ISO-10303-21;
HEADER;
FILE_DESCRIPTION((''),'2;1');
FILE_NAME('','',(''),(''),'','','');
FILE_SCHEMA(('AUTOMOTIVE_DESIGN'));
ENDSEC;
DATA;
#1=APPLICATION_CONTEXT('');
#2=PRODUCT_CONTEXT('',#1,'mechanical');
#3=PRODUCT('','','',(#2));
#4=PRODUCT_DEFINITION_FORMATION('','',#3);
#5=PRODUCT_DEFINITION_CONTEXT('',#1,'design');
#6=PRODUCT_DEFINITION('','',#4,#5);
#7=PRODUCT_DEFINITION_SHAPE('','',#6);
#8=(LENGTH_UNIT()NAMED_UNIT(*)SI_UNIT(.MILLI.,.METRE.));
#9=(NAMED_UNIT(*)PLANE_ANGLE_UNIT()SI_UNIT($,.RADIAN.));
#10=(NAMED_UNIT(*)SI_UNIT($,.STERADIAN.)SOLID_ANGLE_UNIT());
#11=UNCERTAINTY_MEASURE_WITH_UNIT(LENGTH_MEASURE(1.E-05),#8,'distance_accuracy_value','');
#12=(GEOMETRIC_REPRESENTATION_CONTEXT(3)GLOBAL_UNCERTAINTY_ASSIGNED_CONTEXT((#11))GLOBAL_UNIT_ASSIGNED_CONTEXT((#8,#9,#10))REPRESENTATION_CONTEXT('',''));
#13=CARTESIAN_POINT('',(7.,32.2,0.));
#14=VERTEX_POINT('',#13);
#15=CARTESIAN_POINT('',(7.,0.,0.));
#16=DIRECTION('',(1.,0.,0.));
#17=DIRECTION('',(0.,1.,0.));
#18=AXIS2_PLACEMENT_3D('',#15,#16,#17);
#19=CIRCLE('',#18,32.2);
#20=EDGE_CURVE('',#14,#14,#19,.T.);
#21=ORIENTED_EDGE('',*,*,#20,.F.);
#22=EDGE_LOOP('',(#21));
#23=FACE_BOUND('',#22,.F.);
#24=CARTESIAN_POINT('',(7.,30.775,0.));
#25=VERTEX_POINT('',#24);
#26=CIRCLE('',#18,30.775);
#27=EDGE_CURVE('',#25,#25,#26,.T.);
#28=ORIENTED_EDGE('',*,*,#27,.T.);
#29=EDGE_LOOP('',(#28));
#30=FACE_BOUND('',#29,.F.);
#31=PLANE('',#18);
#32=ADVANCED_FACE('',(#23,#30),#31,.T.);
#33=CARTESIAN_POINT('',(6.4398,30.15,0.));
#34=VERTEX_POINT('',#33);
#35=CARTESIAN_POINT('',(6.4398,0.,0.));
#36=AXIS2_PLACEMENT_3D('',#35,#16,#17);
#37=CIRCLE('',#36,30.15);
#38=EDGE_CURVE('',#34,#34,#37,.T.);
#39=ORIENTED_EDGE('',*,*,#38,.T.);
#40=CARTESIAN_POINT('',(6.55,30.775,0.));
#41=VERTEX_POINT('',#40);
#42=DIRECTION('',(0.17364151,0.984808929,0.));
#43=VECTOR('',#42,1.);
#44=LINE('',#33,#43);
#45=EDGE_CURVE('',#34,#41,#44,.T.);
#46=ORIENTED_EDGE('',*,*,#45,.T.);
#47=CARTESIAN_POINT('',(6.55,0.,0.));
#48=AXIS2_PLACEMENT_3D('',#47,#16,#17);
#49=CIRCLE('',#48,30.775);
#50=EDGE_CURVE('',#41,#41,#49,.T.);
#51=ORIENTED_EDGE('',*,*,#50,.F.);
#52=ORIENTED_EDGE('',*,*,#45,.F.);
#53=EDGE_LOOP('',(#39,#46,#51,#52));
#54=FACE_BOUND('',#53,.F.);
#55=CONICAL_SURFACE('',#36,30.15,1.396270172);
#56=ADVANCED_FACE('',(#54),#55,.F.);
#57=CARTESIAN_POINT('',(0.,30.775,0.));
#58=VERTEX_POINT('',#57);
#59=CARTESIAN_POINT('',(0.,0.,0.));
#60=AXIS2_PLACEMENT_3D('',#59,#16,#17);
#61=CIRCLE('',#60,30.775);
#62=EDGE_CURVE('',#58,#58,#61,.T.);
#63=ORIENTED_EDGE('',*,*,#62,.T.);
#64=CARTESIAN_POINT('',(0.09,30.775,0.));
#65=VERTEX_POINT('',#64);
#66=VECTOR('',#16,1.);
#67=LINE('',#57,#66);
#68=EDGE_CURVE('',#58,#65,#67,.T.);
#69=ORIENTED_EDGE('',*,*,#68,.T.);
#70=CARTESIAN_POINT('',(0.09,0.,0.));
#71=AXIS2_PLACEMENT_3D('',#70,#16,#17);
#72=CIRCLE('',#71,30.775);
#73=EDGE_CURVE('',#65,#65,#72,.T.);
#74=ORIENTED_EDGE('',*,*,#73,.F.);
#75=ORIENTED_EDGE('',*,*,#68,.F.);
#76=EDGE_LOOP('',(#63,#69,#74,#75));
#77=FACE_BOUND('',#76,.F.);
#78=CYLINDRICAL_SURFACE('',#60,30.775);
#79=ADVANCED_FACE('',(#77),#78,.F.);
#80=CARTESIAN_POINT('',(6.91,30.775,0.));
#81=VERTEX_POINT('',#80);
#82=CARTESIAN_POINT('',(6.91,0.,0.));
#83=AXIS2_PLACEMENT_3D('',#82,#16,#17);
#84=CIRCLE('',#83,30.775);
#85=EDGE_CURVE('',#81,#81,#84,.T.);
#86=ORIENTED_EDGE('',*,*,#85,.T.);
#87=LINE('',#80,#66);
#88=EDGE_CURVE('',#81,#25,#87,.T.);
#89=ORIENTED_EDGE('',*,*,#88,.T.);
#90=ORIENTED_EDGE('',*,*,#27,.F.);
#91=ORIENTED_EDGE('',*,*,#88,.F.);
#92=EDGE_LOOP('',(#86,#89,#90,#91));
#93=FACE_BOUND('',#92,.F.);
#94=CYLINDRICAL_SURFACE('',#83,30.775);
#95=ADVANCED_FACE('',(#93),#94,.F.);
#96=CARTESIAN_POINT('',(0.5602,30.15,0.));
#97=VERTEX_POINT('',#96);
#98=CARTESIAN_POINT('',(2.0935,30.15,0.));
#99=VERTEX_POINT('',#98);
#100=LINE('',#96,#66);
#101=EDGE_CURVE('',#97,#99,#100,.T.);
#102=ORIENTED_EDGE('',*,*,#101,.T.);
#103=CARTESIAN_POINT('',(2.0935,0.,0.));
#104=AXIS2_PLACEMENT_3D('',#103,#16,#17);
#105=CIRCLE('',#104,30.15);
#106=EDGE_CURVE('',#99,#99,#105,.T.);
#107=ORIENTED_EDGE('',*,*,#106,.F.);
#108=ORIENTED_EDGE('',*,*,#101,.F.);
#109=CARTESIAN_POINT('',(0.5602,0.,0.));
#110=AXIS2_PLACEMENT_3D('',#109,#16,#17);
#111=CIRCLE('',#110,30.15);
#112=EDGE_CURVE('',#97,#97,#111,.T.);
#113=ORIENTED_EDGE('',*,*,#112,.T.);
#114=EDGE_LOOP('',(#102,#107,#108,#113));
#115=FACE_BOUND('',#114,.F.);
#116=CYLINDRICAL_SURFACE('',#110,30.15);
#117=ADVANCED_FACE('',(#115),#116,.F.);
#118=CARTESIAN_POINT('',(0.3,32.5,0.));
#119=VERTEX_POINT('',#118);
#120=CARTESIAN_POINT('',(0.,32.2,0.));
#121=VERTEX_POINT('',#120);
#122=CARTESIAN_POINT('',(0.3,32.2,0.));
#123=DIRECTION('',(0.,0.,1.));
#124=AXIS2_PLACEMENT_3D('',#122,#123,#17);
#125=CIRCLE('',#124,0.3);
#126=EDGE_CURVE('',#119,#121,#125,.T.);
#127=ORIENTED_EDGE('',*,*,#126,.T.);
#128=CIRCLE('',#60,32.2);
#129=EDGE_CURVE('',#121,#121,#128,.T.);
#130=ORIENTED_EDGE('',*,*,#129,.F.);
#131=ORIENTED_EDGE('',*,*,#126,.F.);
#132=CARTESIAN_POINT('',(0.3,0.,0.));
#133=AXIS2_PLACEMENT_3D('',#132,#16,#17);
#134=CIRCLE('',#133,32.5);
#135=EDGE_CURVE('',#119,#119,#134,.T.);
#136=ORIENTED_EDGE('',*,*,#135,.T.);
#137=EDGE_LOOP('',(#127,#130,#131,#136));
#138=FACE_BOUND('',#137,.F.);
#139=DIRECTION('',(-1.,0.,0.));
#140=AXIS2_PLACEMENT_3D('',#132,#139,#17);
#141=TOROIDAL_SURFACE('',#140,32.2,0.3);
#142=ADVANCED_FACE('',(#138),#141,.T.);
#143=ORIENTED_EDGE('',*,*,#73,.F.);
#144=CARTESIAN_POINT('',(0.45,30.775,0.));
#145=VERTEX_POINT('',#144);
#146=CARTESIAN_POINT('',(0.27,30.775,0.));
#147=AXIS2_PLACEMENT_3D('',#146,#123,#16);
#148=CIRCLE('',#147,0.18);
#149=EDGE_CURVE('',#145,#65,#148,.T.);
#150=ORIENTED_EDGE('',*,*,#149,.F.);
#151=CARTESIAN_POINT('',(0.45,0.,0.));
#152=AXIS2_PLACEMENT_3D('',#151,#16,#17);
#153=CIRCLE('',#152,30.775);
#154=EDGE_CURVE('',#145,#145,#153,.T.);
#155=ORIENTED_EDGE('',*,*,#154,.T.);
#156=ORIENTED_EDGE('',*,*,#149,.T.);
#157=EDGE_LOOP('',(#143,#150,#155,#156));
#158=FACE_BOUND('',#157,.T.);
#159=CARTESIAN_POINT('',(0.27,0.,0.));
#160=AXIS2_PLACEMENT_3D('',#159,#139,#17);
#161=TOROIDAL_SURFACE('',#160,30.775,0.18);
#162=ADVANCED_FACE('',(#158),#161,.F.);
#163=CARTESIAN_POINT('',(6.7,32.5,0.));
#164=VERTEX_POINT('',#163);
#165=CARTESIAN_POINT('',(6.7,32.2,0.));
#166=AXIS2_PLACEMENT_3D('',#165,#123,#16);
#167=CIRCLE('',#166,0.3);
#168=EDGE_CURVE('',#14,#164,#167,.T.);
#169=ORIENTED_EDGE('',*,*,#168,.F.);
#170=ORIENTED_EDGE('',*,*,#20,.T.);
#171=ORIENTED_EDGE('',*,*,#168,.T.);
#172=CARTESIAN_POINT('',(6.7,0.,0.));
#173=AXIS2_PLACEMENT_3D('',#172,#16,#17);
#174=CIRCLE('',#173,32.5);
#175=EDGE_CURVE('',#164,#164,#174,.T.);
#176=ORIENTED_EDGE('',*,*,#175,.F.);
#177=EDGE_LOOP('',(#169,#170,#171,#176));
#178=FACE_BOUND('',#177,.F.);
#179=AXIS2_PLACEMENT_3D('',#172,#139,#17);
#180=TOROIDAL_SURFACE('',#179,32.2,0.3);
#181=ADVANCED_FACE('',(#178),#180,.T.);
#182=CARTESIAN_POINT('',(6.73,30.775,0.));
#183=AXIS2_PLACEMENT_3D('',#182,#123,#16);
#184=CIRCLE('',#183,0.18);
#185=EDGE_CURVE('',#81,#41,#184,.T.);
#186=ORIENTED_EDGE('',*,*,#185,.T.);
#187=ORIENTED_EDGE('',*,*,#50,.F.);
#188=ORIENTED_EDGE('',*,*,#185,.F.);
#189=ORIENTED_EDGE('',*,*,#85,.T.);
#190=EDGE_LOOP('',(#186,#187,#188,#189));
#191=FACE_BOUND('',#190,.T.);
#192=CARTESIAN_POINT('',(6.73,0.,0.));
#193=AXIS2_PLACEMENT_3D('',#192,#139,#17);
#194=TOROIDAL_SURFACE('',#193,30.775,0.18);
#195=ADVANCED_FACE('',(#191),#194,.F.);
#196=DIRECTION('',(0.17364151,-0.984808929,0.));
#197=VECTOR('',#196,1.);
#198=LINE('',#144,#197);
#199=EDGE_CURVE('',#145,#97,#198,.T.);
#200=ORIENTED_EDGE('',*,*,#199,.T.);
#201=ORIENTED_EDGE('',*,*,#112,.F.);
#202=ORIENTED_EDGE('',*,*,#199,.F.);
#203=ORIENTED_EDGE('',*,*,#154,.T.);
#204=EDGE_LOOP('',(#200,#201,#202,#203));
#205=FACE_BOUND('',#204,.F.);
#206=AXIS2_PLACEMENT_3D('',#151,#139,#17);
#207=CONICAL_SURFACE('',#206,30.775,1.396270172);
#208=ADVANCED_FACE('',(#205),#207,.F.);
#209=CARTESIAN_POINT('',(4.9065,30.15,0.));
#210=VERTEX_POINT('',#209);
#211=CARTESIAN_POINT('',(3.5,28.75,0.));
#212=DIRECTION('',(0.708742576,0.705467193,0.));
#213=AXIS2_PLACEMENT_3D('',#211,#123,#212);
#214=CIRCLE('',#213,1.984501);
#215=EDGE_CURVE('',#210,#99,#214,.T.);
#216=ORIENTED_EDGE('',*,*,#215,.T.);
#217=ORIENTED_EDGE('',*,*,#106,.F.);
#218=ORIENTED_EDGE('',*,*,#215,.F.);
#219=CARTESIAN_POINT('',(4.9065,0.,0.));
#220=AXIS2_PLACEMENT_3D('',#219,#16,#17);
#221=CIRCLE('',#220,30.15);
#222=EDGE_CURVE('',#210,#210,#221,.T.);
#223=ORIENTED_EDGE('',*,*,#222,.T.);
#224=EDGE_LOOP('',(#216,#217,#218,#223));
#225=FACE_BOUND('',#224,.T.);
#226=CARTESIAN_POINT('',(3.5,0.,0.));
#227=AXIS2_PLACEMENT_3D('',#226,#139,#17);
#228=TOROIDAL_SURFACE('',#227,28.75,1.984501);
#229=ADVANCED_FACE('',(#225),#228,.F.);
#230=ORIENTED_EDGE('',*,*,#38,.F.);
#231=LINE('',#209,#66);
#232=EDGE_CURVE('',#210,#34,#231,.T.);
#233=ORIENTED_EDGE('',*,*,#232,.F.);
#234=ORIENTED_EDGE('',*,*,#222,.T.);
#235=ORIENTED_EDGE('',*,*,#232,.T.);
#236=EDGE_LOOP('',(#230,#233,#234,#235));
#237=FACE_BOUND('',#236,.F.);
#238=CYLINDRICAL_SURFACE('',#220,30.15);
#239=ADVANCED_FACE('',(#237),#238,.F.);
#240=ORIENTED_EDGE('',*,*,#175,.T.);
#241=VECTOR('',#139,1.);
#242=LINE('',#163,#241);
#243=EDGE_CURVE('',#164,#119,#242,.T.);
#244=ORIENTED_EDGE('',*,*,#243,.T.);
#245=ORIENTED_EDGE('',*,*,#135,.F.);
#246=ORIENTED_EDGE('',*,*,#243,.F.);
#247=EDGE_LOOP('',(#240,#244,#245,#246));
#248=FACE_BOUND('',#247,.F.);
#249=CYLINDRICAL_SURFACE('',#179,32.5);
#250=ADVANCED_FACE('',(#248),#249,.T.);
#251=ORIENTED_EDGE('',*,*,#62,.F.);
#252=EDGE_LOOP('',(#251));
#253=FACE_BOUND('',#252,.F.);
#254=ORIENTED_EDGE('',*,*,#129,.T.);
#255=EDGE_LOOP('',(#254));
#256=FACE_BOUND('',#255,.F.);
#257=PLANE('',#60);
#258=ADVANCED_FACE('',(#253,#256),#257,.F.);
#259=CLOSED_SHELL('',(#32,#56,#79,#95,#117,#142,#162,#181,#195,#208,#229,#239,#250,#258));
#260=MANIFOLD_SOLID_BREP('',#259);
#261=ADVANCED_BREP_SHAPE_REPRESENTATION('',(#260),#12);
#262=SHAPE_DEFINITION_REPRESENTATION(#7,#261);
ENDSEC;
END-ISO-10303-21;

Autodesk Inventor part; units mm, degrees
ref_plane "YZ Plane" through (0, 0, 0) normal (1, 0, 0) x (0, 1, 0)
ref_plane "XZ Plane" through (0, 0, 0) normal (0, 1, 0) x (-1, 0, 0)
ref_plane "XY Plane" through (0, 0, 0) normal (0, 0, 1) x (1, 0, 0)
sketch "Sketch_16" plane through (0, 0, 0) normal (0, 0, 1) x (1, 0, 0)
  line L0 (50, 0) -> (-50, 0)
  line L1 (0, 30.775) -> (0.09, 30.775)
  arc A0 (0.45, 30.775) -> (0.09, 30.775) centre (0.27, 30.775) ccw
  line L2 (0.45, 30.775) -> (0.5602, 30.15)
  line L3 (0.5602, 30.15) -> (2.0935, 30.15)
  arc A1 (4.9065, 30.15) -> (2.0935, 30.15) centre (3.5, 28.75) ccw
  line L4 (4.9065, 30.15) -> (6.4398, 30.15)
  line L5 (6.4398, 30.15) -> (6.55, 30.775)
  arc A2 (6.91, 30.775) -> (6.55, 30.775) centre (6.73, 30.775) ccw
  line L6 (6.91, 30.775) -> (7, 30.775)
  line L7 (7, 30.775) -> (7, 32.2)
  arc A3 (7, 32.2) -> (6.7, 32.5) centre (6.7, 32.2) ccw
  line L8 (6.7, 32.5) -> (0.3, 32.5)
  arc A4 (0.3, 32.5) -> (0, 32.2) centre (0.3, 32.2) ccw
  line L9 (0, 32.2) -> (0, 30.775)
revolve "Revolution1" add sketch "Sketch_16" angle 360 about axis through (50, 0, 0) along (1, 0, 0)
properties part number "SKF_W 61810-2RS1_PART2"
